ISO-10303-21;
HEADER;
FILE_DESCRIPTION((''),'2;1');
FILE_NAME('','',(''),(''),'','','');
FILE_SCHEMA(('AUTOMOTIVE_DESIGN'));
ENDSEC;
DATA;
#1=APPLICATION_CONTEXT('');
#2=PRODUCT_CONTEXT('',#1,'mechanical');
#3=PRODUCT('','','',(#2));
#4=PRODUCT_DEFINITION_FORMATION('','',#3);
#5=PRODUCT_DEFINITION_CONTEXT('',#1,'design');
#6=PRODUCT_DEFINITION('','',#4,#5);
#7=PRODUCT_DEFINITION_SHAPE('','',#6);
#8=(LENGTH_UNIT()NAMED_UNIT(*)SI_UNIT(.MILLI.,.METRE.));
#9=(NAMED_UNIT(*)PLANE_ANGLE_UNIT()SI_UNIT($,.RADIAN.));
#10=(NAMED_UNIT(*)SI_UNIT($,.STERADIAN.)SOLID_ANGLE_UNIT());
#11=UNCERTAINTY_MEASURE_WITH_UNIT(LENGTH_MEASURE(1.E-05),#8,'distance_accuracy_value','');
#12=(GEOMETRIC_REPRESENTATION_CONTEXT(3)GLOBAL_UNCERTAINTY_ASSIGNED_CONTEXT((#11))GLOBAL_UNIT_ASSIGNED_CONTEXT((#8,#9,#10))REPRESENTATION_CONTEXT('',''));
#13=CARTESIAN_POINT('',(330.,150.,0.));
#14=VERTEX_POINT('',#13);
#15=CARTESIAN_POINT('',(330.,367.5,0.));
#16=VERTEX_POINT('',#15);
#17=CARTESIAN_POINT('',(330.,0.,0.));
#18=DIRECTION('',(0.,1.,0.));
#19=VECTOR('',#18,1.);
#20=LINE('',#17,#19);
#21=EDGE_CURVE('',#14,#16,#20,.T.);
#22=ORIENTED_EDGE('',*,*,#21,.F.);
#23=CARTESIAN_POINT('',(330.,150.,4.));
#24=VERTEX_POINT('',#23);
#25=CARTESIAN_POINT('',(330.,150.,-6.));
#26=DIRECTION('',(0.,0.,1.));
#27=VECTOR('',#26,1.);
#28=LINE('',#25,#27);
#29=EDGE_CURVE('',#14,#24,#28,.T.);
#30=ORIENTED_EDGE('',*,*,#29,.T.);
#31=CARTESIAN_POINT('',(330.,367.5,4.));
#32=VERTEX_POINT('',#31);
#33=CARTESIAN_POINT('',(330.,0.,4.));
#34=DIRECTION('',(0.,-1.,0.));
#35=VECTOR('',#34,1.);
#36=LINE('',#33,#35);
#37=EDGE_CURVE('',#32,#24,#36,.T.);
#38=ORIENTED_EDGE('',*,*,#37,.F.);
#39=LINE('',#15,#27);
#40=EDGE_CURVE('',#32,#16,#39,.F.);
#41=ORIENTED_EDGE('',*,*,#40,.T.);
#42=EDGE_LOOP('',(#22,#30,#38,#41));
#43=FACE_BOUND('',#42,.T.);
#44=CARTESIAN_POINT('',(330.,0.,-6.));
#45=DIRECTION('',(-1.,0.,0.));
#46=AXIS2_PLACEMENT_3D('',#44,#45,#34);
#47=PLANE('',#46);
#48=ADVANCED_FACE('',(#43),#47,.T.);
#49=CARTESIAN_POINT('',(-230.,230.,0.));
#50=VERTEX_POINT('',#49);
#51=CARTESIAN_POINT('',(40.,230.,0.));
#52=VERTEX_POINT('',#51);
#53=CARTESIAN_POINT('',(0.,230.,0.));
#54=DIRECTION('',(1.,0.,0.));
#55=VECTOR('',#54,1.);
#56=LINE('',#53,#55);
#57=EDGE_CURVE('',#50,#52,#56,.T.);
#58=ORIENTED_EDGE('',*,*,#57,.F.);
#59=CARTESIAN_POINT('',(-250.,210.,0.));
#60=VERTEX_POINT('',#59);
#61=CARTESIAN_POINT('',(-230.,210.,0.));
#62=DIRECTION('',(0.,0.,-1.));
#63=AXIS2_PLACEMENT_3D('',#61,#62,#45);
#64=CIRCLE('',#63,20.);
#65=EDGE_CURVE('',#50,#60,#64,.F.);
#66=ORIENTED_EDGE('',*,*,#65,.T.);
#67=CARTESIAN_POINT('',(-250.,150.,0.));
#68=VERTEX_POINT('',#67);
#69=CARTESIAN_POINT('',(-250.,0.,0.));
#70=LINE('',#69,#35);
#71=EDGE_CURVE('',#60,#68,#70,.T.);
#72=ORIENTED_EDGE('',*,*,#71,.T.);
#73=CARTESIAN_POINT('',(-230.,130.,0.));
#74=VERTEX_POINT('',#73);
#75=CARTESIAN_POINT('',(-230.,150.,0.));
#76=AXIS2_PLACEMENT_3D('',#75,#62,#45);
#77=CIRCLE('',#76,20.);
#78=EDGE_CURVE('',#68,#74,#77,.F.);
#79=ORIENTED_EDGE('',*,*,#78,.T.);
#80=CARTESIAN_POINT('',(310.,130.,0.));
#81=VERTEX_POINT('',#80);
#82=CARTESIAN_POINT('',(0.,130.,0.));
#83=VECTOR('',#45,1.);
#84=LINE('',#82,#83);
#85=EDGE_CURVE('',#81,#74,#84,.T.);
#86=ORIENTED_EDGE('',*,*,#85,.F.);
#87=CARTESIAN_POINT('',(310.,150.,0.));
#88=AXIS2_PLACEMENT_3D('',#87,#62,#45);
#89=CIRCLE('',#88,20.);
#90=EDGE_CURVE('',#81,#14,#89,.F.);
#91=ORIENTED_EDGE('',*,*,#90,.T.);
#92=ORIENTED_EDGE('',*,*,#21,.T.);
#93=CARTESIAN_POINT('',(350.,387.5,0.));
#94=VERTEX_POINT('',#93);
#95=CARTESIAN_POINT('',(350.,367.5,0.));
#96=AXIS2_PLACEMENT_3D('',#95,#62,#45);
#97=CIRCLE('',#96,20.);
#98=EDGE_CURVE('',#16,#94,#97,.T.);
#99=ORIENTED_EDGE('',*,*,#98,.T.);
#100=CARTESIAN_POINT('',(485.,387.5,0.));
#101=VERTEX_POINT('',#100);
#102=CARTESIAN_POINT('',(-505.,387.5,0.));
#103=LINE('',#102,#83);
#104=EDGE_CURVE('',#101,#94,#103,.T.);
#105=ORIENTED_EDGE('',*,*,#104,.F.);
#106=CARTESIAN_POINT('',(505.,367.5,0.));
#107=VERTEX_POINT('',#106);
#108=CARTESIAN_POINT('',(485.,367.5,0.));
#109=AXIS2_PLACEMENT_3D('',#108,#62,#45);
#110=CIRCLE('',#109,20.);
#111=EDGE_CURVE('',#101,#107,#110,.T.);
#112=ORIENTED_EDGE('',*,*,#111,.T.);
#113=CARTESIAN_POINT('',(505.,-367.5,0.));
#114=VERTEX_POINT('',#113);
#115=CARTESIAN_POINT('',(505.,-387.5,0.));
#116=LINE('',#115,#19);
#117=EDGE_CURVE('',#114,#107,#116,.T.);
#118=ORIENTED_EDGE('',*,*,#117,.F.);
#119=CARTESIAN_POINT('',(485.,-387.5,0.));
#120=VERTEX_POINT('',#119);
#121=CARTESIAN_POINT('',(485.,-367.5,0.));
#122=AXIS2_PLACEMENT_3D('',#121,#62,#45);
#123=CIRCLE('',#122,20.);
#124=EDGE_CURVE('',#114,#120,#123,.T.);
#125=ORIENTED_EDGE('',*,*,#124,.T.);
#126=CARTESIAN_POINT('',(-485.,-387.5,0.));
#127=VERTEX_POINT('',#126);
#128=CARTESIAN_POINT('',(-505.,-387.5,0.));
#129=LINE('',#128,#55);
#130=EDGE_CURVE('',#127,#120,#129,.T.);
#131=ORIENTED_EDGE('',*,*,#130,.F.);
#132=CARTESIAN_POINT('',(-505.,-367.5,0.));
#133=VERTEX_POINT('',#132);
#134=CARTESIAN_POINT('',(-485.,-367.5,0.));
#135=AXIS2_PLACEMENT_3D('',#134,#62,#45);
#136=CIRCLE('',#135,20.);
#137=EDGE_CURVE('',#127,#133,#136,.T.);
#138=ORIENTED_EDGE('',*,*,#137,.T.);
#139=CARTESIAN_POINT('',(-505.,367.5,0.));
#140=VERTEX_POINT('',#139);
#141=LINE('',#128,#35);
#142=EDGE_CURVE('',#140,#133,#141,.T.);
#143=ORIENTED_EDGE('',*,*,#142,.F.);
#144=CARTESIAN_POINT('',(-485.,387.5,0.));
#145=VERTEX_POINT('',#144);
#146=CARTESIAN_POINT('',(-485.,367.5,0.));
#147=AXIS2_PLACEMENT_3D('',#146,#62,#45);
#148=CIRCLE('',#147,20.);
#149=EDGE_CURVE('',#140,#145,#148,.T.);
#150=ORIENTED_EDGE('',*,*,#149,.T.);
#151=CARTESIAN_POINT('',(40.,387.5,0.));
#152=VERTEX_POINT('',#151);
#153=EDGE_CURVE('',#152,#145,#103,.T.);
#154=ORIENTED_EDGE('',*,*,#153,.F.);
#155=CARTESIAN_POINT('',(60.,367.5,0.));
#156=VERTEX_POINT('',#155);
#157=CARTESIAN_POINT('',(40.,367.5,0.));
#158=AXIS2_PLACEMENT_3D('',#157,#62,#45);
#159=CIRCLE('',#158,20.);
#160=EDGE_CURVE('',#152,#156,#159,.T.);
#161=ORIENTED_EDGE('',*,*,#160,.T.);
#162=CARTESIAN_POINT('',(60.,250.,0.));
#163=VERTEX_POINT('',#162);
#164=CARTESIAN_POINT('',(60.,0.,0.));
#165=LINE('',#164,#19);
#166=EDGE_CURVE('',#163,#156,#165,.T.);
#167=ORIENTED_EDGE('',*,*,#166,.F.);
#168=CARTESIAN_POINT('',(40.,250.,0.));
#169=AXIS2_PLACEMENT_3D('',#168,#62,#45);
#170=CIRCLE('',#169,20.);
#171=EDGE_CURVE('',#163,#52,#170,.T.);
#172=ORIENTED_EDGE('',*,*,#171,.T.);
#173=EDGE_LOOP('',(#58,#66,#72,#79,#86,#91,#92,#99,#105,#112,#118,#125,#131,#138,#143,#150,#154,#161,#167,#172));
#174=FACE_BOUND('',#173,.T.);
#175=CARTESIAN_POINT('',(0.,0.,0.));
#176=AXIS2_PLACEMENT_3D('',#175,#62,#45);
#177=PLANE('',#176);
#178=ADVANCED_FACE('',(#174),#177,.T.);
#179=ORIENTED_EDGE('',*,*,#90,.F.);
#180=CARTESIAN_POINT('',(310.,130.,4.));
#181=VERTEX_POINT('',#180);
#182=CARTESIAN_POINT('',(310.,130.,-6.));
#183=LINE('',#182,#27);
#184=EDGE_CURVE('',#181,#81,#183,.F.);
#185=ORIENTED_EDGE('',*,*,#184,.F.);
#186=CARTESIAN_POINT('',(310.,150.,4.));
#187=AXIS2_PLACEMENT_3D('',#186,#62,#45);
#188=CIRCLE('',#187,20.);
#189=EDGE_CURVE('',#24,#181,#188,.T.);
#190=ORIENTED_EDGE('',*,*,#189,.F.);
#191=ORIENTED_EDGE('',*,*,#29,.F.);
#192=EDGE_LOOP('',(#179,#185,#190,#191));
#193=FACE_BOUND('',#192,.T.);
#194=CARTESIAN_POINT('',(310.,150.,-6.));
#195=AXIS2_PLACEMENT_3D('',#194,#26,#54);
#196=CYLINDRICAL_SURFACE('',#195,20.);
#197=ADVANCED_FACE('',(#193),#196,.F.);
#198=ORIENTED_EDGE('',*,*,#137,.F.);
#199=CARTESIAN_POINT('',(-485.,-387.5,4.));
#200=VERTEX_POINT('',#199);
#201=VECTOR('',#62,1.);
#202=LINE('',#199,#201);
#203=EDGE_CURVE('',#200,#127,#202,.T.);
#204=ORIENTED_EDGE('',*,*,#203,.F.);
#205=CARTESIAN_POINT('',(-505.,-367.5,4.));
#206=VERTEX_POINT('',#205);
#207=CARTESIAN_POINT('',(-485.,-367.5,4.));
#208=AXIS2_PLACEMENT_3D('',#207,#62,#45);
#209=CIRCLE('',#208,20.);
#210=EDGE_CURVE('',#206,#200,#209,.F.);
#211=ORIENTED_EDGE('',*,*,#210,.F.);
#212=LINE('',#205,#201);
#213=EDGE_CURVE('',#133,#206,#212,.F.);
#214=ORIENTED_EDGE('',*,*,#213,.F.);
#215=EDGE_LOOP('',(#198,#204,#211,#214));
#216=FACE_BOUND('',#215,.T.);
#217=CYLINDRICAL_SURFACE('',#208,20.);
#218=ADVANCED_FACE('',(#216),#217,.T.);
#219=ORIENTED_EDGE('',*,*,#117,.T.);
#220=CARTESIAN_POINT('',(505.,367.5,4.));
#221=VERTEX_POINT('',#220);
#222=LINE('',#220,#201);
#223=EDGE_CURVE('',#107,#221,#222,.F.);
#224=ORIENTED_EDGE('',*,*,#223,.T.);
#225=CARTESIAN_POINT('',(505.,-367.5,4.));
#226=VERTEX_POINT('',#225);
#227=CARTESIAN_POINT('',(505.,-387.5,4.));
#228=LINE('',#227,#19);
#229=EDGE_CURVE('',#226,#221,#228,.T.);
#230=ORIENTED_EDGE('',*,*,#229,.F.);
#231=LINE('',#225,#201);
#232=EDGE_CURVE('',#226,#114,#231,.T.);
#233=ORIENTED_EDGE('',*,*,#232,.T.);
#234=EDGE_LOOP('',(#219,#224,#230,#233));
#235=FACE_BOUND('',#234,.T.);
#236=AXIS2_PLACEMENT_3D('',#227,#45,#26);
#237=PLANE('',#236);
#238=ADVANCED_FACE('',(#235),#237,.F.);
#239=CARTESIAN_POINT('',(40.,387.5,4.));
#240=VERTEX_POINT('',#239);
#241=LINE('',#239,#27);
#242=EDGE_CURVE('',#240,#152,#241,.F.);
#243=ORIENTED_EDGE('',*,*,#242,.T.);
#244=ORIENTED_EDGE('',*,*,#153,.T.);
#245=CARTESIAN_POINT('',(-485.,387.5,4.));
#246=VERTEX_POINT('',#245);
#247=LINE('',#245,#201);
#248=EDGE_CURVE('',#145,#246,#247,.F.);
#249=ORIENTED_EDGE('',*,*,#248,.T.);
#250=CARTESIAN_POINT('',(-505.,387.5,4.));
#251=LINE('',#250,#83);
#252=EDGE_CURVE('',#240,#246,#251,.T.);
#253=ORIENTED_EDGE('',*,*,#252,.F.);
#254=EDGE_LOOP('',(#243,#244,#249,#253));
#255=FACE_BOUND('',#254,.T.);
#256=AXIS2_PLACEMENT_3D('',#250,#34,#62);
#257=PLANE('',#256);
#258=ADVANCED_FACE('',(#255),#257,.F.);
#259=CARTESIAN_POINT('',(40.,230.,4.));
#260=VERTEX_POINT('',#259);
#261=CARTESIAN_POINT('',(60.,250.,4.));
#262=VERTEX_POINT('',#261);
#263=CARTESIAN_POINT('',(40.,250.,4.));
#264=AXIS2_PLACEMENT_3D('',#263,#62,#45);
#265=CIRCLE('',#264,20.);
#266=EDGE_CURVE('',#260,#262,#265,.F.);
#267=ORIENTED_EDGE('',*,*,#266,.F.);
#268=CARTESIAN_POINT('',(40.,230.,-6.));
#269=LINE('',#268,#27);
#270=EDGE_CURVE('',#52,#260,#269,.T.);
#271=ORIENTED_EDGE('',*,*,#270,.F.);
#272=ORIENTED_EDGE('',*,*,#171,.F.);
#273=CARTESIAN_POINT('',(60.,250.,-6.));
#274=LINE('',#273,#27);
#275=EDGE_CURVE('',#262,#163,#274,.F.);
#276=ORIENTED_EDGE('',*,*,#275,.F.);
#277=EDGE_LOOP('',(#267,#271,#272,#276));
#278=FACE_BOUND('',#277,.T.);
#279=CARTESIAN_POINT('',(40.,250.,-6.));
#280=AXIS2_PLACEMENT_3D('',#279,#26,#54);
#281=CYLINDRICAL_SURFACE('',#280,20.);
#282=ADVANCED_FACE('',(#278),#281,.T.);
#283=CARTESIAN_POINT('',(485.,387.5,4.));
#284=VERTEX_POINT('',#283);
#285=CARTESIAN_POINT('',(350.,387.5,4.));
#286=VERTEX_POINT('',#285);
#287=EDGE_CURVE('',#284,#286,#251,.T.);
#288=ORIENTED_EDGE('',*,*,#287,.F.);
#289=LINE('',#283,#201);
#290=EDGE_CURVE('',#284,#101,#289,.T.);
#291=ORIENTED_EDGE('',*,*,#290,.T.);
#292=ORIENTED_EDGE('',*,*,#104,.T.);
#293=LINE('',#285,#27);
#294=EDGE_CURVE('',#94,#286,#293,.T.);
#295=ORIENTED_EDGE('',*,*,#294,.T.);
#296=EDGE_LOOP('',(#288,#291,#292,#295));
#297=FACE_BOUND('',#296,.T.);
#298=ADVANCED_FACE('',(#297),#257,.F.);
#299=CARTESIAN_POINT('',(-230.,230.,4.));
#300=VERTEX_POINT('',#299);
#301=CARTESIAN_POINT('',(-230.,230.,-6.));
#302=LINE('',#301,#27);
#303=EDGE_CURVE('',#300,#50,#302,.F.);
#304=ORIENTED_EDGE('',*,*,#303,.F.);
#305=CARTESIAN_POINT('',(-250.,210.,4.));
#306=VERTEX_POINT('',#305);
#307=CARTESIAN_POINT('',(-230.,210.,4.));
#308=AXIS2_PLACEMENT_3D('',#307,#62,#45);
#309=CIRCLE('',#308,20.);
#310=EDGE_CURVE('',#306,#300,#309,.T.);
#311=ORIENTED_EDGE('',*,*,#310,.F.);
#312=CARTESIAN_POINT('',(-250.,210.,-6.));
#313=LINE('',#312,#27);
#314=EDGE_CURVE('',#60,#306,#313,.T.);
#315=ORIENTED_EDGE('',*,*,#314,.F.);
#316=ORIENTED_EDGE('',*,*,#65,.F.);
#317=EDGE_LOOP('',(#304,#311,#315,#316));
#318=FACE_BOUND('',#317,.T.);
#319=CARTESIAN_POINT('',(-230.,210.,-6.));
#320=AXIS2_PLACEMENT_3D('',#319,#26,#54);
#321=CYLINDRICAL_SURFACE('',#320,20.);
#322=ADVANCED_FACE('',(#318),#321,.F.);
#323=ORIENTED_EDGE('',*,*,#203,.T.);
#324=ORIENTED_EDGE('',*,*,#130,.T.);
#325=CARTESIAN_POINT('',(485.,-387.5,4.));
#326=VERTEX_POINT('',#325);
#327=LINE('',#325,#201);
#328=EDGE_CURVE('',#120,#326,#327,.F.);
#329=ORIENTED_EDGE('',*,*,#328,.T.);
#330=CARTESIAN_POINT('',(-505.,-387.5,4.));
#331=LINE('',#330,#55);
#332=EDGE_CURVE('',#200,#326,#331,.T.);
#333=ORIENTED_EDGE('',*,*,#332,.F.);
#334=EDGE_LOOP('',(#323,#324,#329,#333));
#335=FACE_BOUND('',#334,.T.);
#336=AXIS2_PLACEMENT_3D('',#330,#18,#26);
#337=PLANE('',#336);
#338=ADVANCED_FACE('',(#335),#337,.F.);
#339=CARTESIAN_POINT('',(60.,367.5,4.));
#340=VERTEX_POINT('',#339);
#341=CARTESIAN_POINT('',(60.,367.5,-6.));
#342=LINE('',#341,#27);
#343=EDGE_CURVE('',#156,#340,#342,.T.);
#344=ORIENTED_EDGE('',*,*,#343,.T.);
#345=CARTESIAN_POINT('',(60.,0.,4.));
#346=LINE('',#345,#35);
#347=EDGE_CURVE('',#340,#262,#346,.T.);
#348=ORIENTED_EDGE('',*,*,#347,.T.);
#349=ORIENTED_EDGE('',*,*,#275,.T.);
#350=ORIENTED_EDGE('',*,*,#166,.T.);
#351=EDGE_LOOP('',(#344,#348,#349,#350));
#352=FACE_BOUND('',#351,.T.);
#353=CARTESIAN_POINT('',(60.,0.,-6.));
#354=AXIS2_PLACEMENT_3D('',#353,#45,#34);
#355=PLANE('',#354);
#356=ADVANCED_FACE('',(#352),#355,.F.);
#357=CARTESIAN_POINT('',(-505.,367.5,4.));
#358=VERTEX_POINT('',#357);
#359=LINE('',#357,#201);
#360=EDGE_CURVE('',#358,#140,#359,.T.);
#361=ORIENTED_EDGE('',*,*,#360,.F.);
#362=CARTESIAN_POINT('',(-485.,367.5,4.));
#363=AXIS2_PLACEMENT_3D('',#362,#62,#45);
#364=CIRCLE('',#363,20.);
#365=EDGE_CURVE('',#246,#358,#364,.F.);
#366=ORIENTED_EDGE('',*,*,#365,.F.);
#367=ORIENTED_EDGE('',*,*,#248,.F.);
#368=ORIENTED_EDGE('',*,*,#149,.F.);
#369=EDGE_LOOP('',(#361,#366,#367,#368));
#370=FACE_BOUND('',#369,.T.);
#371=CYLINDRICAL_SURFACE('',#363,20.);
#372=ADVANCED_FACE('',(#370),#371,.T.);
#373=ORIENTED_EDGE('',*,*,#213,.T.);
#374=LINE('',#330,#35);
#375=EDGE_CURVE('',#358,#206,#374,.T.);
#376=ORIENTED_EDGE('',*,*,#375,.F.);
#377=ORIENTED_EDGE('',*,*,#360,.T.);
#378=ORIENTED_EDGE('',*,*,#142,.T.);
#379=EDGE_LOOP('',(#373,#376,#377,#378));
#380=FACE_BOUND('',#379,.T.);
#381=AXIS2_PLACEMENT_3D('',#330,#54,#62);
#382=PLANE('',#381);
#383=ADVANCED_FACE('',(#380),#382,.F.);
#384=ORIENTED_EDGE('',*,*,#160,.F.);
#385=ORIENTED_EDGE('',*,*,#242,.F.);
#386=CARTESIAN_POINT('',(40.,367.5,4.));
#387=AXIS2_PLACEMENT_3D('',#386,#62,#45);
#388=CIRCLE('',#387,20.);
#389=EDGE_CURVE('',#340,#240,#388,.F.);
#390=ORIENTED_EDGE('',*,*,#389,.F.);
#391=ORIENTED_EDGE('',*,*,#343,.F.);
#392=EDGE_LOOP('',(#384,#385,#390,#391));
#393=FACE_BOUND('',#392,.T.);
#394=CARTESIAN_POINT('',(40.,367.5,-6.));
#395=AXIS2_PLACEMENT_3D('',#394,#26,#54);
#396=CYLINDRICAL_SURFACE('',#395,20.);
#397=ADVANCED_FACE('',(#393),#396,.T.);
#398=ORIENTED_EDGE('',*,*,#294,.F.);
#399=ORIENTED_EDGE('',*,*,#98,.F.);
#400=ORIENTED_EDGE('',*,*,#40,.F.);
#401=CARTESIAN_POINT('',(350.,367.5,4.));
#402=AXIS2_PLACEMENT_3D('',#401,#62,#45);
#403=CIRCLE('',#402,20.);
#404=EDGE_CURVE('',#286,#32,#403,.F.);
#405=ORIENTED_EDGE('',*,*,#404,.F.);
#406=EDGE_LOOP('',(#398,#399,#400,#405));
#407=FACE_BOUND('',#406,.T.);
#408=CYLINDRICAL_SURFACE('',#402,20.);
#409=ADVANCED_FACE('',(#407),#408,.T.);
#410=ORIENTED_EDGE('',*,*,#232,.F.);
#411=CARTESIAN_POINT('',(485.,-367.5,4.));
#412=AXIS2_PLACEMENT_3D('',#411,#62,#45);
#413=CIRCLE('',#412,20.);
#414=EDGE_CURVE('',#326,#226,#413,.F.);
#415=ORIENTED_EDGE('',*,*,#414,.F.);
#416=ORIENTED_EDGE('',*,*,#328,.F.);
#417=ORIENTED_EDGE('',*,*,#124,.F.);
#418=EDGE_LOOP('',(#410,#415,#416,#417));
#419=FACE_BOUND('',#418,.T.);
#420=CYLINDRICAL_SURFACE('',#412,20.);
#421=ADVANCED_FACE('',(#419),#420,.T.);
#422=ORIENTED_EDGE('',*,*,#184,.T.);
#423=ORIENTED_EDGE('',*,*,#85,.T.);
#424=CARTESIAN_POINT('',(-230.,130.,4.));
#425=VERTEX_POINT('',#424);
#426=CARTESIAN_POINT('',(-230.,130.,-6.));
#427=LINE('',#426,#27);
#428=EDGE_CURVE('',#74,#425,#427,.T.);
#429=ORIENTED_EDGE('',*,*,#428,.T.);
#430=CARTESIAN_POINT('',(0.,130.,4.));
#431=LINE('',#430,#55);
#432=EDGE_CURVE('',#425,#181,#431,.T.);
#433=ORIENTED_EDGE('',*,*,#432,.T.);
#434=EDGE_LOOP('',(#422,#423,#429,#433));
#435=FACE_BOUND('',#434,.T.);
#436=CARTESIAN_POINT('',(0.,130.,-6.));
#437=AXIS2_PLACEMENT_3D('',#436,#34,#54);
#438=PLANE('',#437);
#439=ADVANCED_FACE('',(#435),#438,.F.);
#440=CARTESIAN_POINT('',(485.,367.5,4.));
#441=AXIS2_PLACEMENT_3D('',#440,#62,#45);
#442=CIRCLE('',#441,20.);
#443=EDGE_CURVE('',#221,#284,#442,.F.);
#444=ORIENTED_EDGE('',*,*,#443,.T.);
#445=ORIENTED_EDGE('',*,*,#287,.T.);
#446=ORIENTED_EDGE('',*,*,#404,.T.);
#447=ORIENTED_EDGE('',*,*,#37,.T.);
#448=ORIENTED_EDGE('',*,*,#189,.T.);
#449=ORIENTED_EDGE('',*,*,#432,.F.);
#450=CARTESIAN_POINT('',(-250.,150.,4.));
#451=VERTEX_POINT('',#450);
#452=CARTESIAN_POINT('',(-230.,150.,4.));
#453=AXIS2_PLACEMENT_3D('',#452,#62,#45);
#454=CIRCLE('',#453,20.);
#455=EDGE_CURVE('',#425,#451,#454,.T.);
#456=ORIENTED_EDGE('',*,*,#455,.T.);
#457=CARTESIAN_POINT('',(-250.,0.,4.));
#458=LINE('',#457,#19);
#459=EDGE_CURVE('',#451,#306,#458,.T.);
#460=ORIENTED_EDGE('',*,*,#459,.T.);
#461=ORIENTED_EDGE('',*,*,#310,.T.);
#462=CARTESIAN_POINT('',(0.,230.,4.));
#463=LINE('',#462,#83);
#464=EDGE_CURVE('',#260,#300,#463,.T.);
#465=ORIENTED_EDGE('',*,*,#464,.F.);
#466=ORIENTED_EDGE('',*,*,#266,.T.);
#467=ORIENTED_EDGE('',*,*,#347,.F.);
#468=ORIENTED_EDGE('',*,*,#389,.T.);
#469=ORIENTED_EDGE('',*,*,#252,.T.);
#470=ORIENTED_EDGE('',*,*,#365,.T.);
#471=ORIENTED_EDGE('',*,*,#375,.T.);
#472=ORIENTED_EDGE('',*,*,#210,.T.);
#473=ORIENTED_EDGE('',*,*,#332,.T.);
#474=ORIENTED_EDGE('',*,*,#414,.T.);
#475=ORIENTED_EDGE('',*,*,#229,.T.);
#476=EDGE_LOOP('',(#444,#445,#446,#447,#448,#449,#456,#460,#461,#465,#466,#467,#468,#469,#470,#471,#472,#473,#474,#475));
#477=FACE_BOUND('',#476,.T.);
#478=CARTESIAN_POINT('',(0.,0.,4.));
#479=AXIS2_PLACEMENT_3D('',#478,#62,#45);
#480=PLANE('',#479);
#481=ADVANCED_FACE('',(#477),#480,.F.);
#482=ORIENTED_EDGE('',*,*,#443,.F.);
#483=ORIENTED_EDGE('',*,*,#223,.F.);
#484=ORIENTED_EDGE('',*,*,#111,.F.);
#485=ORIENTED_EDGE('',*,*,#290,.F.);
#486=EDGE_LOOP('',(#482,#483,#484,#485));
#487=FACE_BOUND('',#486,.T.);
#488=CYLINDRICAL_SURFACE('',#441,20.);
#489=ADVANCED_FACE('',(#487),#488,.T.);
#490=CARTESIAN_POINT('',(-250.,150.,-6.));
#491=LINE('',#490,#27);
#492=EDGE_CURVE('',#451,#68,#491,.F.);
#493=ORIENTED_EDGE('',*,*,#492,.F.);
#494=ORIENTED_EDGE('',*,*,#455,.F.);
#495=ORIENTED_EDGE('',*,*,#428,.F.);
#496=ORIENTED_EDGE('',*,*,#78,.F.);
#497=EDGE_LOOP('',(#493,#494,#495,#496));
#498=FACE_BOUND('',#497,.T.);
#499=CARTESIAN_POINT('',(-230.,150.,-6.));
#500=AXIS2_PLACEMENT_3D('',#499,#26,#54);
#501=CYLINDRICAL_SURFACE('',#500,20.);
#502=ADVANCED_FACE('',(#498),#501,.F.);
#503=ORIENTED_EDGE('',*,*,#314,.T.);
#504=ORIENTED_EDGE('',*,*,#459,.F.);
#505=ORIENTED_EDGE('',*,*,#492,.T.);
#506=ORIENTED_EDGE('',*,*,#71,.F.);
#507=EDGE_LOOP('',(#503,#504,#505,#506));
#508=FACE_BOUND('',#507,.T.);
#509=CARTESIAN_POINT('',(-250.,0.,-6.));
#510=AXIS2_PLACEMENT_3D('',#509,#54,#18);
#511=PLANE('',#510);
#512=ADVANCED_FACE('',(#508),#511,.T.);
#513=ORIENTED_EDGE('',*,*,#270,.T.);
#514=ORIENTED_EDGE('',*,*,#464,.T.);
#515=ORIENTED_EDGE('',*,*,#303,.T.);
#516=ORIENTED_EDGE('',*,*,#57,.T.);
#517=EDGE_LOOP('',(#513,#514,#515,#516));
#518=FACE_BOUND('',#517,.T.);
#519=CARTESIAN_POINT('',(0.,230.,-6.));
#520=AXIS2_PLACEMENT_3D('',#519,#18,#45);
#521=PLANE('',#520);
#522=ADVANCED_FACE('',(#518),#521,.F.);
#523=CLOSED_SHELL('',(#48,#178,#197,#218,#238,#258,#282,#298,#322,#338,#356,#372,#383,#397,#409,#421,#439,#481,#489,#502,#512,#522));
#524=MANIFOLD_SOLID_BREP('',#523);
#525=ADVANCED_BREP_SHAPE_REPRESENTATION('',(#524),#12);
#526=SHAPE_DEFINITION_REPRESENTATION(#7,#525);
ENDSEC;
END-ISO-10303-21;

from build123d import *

# Parameters (mm, degrees)
SKETCH1_W           = 1010
SKETCH1_H           = 775
BOSS_EXTRUDE1_DEPTH = 4
FILLET1_R           = 20
SKETCH2_W           = 500
SKETCH2_H           = 100
SKETCH2_W_2         = 80
CUT_EXTRUDE1_DEPTH  = 10
FILLET2_R           = 20


with BuildPart() as part:
    # Sketch1 → Boss-Extrude1 (new body)
    with BuildSketch(Plane.XY):
        Rectangle(SKETCH1_W, SKETCH1_H)
    extrude(amount=BOSS_EXTRUDE1_DEPTH)

    # Fillet1
    fillet1_edges = [part.edges().sort_by_distance(p)[0] for p in [
        (505, -387.5, 2),
        (-505, -387.5, 2),
        (-505, 387.5, 2),
        (505, 387.5, 2),
    ]]
    fillet(fillet1_edges, radius=FILLET1_R)

    # Sketch2 → Cut-Extrude1 (cut)
    with BuildSketch(Plane.XY.offset(4)):
        Polygon((60, 230), (250, 230), (330, 230), (330, 387.5), (60, 387.5), align=None)
        with Locations((0, 180)):
            Rectangle(SKETCH2_W, SKETCH2_H)
        with Locations((290, 180)):
            Rectangle(SKETCH2_W_2, SKETCH2_H)
    extrude(amount=-CUT_EXTRUDE1_DEPTH, mode=Mode.SUBTRACT)

    # Fillet2
    fillet2_edges = [part.edges().sort_by_distance(p)[0] for p in [
        (60, 387.5, 2),
        (330, 387.5, 2),
        (330, 130, 2),
        (-250, 130, 2),
        (-250, 230, 2),
        (60, 230, 2),
    ]]
    fillet(fillet2_edges, radius=FILLET2_R)


solid = part.part
